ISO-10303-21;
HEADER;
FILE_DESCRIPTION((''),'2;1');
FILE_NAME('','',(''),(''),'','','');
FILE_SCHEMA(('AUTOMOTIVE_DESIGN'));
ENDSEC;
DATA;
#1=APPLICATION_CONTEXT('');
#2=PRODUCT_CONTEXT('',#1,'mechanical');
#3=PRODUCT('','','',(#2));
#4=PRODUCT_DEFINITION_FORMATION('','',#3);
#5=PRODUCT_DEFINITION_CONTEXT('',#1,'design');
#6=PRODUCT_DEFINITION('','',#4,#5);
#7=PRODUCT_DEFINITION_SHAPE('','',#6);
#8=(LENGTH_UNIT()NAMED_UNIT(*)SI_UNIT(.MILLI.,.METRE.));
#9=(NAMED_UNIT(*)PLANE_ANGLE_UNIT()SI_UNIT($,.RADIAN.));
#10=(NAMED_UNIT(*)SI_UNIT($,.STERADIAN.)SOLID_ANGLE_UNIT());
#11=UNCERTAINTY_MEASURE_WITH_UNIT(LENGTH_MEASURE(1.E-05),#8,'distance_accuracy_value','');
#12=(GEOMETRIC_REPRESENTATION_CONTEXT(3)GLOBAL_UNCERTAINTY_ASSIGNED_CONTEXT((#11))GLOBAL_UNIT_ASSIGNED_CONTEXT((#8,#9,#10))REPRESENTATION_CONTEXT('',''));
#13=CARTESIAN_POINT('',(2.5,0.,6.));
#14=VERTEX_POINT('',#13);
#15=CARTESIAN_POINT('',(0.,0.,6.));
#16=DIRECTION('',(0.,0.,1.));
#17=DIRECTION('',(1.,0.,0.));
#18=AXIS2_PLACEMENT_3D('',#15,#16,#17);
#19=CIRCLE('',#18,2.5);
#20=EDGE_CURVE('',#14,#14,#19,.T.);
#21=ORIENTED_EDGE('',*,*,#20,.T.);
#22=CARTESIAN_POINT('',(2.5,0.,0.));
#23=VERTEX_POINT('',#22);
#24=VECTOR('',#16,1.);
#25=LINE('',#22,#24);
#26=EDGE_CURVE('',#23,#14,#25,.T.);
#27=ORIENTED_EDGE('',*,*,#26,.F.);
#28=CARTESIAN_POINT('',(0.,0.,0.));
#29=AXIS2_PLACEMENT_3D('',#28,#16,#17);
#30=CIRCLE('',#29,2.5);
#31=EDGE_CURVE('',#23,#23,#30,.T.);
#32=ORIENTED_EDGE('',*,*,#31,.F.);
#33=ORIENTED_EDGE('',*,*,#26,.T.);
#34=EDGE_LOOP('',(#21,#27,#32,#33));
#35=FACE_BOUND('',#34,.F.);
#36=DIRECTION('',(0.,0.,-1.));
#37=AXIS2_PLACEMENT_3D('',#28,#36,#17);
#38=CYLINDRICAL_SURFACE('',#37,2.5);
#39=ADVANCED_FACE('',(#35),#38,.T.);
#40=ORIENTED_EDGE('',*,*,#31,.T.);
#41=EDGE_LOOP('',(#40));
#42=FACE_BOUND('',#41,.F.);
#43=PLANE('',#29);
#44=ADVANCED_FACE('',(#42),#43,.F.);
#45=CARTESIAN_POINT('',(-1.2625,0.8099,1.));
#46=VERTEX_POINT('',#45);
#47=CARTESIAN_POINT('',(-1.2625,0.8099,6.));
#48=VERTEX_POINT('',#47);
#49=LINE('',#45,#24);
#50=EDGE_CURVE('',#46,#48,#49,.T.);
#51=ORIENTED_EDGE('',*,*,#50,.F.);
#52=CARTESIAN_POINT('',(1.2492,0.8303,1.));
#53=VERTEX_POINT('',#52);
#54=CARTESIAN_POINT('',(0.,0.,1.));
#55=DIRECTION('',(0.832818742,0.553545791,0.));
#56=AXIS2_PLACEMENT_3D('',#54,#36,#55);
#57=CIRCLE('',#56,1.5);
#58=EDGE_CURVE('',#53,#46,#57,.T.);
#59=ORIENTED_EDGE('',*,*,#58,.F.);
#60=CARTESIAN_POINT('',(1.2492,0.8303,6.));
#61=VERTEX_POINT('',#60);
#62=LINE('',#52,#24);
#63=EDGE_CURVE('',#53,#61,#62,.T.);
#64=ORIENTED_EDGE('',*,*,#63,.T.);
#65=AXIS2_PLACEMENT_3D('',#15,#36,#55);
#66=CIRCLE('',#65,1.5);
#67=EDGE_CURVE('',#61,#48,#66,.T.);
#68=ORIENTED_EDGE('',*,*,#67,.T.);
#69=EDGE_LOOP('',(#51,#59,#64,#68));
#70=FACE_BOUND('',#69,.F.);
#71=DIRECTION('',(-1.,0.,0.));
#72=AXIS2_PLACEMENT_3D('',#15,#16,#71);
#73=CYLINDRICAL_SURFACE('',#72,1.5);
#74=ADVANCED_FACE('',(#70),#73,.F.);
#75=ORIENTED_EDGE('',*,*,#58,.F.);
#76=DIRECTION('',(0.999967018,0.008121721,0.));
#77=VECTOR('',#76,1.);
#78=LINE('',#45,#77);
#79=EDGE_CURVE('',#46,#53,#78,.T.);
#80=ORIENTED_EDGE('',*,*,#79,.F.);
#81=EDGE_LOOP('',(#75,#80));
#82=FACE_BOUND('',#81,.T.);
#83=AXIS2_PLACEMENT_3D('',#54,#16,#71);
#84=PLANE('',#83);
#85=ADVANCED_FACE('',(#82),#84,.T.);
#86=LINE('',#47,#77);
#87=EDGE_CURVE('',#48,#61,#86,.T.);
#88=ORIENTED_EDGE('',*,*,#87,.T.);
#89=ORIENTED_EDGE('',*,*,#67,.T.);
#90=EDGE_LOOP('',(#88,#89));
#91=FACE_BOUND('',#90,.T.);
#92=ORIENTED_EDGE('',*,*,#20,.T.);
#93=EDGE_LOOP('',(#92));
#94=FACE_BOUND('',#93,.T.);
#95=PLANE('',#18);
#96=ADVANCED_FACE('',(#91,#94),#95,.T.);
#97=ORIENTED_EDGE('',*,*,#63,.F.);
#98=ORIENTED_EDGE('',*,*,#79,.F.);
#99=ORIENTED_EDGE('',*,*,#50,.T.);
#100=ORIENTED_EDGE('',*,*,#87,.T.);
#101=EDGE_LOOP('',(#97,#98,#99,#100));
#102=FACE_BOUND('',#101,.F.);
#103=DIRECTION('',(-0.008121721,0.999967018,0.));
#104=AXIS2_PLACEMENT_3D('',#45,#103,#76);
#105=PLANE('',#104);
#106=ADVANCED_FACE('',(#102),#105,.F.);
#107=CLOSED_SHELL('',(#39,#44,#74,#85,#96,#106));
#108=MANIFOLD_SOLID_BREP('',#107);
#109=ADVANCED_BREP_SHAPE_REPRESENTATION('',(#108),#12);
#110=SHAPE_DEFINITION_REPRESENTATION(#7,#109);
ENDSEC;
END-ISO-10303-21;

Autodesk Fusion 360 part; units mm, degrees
sketch "Sketch1" plane through (0, 0, 0) normal (0, 0, 1) x (1, 0, 0)
  circle A0 centre (0, 0) radius 2.5
  dimension "d1" = 5
extrude "Extrude1" add sketch "Sketch1" along normal blind 6
sketch "Sketch2" plane through (0, 0, 6) normal (0, 0, 1) x (-1, 0, 0)
  circle A0 centre (0, 0) radius 2.5
  circle A1 centre (0, 0) radius 1.5
  dimension "d4" = 3
extrude "Extrude2" cut sketch "Sketch2" against normal blind 5 contours A1
sketch "Sketch3" plane through (0, 0, 1) normal (0, 0, 1) x (-1, 0, 0)
  circle A0 centre (0, 0) radius 1.5
  line L0 (1.2625, -0.8099) -> (-1.2492, -0.8303)
  arc A1 (0.0066, -1.5) -> (-1.2492, -0.8303) centre (0, 0) ccw
extrude "Extrude3" add sketch "Sketch3" along normal blind 5 contours A0 L0 A1 picked at (0.6944, -1.19)
